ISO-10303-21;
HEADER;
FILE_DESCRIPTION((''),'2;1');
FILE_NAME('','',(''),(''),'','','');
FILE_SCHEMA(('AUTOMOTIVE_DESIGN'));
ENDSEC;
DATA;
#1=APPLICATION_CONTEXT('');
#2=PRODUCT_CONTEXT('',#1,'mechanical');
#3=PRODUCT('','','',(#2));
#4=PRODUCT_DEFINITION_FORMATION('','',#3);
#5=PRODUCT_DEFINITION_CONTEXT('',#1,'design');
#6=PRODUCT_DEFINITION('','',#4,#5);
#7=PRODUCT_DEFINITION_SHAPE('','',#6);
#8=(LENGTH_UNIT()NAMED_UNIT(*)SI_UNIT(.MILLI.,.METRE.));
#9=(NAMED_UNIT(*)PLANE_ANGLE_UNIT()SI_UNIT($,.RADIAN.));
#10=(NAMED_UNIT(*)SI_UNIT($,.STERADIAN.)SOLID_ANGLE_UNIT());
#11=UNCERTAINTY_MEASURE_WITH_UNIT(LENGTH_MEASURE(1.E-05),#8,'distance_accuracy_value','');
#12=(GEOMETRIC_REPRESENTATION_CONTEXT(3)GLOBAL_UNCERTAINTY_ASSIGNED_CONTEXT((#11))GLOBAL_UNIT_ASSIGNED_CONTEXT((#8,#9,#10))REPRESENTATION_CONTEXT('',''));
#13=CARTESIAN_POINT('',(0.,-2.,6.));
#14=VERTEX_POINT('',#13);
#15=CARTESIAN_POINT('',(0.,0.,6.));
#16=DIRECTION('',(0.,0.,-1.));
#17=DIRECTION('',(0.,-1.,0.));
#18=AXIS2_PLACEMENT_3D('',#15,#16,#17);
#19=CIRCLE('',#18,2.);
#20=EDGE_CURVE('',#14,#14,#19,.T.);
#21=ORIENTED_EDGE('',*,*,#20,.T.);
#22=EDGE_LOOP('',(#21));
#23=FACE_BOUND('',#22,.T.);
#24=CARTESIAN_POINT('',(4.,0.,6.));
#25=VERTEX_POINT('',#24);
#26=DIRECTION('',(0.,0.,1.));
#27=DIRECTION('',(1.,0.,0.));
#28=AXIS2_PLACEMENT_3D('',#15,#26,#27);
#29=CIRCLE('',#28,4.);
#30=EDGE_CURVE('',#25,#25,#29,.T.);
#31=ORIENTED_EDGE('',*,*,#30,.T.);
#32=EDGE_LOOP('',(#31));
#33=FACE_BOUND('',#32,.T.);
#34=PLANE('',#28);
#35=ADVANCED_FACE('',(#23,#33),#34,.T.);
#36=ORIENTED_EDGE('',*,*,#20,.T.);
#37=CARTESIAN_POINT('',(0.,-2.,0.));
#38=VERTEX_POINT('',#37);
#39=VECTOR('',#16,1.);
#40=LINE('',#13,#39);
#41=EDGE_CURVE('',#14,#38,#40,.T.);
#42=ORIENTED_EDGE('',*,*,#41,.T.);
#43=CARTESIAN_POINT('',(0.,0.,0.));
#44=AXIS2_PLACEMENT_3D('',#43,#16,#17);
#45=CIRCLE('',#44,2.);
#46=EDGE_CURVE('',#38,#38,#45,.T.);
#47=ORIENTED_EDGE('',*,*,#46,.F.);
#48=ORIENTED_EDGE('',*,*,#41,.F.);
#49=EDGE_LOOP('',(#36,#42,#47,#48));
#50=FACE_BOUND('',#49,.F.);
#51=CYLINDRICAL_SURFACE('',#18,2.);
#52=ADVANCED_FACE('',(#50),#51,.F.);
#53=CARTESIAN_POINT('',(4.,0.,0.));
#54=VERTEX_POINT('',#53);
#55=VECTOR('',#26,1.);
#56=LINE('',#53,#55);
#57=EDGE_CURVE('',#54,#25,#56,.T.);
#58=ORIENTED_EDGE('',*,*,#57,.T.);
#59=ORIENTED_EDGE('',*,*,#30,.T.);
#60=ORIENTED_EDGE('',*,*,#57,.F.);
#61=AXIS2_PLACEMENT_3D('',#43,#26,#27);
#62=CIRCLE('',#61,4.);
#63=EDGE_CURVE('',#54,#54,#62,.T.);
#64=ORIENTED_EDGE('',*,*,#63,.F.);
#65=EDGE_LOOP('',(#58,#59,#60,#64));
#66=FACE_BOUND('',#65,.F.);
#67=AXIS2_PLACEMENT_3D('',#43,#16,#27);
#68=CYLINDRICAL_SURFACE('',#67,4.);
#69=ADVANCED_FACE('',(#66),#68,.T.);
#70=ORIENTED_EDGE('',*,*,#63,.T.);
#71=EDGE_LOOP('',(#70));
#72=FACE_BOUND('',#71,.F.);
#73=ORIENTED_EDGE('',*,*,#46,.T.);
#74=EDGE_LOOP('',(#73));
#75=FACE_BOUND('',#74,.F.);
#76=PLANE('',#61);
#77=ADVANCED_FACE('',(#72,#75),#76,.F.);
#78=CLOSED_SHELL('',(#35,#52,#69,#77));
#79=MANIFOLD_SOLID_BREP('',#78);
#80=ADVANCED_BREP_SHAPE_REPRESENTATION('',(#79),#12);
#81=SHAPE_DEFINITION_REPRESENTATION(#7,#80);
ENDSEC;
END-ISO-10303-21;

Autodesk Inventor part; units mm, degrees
ref_plane "YZ Plane" through (0, 0, 0) normal (1, 0, 0) x (0, 1, 0)
ref_plane "XZ Plane" through (0, 0, 0) normal (0, 1, 0) x (-1, 0, 0)
ref_plane "XY Plane" through (0, 0, 0) normal (0, 0, 1) x (1, 0, 0)
sketch "スケッチ1" plane through (0, 0, 0) normal (0, 0, 1) x (1, 0, 0)
  circle A0 centre (0, 0) radius 4
  dimension "d0" = 8
extrude "押し出し1" add sketch "スケッチ1" along normal blind 6
sketch "スケッチ2" plane through (0, 0, 6) normal (0, 0, 1) x (1, 0, 0)
  circle A0 centre (0, 0) radius 4 projected
hole "穴1" at (0, 0, 6) direction (0, 0, -1) diameter 4 depth 8 tip angle 118
properties part number "M4アルミスペーサ丸6" material "アルミニウム 7075"
